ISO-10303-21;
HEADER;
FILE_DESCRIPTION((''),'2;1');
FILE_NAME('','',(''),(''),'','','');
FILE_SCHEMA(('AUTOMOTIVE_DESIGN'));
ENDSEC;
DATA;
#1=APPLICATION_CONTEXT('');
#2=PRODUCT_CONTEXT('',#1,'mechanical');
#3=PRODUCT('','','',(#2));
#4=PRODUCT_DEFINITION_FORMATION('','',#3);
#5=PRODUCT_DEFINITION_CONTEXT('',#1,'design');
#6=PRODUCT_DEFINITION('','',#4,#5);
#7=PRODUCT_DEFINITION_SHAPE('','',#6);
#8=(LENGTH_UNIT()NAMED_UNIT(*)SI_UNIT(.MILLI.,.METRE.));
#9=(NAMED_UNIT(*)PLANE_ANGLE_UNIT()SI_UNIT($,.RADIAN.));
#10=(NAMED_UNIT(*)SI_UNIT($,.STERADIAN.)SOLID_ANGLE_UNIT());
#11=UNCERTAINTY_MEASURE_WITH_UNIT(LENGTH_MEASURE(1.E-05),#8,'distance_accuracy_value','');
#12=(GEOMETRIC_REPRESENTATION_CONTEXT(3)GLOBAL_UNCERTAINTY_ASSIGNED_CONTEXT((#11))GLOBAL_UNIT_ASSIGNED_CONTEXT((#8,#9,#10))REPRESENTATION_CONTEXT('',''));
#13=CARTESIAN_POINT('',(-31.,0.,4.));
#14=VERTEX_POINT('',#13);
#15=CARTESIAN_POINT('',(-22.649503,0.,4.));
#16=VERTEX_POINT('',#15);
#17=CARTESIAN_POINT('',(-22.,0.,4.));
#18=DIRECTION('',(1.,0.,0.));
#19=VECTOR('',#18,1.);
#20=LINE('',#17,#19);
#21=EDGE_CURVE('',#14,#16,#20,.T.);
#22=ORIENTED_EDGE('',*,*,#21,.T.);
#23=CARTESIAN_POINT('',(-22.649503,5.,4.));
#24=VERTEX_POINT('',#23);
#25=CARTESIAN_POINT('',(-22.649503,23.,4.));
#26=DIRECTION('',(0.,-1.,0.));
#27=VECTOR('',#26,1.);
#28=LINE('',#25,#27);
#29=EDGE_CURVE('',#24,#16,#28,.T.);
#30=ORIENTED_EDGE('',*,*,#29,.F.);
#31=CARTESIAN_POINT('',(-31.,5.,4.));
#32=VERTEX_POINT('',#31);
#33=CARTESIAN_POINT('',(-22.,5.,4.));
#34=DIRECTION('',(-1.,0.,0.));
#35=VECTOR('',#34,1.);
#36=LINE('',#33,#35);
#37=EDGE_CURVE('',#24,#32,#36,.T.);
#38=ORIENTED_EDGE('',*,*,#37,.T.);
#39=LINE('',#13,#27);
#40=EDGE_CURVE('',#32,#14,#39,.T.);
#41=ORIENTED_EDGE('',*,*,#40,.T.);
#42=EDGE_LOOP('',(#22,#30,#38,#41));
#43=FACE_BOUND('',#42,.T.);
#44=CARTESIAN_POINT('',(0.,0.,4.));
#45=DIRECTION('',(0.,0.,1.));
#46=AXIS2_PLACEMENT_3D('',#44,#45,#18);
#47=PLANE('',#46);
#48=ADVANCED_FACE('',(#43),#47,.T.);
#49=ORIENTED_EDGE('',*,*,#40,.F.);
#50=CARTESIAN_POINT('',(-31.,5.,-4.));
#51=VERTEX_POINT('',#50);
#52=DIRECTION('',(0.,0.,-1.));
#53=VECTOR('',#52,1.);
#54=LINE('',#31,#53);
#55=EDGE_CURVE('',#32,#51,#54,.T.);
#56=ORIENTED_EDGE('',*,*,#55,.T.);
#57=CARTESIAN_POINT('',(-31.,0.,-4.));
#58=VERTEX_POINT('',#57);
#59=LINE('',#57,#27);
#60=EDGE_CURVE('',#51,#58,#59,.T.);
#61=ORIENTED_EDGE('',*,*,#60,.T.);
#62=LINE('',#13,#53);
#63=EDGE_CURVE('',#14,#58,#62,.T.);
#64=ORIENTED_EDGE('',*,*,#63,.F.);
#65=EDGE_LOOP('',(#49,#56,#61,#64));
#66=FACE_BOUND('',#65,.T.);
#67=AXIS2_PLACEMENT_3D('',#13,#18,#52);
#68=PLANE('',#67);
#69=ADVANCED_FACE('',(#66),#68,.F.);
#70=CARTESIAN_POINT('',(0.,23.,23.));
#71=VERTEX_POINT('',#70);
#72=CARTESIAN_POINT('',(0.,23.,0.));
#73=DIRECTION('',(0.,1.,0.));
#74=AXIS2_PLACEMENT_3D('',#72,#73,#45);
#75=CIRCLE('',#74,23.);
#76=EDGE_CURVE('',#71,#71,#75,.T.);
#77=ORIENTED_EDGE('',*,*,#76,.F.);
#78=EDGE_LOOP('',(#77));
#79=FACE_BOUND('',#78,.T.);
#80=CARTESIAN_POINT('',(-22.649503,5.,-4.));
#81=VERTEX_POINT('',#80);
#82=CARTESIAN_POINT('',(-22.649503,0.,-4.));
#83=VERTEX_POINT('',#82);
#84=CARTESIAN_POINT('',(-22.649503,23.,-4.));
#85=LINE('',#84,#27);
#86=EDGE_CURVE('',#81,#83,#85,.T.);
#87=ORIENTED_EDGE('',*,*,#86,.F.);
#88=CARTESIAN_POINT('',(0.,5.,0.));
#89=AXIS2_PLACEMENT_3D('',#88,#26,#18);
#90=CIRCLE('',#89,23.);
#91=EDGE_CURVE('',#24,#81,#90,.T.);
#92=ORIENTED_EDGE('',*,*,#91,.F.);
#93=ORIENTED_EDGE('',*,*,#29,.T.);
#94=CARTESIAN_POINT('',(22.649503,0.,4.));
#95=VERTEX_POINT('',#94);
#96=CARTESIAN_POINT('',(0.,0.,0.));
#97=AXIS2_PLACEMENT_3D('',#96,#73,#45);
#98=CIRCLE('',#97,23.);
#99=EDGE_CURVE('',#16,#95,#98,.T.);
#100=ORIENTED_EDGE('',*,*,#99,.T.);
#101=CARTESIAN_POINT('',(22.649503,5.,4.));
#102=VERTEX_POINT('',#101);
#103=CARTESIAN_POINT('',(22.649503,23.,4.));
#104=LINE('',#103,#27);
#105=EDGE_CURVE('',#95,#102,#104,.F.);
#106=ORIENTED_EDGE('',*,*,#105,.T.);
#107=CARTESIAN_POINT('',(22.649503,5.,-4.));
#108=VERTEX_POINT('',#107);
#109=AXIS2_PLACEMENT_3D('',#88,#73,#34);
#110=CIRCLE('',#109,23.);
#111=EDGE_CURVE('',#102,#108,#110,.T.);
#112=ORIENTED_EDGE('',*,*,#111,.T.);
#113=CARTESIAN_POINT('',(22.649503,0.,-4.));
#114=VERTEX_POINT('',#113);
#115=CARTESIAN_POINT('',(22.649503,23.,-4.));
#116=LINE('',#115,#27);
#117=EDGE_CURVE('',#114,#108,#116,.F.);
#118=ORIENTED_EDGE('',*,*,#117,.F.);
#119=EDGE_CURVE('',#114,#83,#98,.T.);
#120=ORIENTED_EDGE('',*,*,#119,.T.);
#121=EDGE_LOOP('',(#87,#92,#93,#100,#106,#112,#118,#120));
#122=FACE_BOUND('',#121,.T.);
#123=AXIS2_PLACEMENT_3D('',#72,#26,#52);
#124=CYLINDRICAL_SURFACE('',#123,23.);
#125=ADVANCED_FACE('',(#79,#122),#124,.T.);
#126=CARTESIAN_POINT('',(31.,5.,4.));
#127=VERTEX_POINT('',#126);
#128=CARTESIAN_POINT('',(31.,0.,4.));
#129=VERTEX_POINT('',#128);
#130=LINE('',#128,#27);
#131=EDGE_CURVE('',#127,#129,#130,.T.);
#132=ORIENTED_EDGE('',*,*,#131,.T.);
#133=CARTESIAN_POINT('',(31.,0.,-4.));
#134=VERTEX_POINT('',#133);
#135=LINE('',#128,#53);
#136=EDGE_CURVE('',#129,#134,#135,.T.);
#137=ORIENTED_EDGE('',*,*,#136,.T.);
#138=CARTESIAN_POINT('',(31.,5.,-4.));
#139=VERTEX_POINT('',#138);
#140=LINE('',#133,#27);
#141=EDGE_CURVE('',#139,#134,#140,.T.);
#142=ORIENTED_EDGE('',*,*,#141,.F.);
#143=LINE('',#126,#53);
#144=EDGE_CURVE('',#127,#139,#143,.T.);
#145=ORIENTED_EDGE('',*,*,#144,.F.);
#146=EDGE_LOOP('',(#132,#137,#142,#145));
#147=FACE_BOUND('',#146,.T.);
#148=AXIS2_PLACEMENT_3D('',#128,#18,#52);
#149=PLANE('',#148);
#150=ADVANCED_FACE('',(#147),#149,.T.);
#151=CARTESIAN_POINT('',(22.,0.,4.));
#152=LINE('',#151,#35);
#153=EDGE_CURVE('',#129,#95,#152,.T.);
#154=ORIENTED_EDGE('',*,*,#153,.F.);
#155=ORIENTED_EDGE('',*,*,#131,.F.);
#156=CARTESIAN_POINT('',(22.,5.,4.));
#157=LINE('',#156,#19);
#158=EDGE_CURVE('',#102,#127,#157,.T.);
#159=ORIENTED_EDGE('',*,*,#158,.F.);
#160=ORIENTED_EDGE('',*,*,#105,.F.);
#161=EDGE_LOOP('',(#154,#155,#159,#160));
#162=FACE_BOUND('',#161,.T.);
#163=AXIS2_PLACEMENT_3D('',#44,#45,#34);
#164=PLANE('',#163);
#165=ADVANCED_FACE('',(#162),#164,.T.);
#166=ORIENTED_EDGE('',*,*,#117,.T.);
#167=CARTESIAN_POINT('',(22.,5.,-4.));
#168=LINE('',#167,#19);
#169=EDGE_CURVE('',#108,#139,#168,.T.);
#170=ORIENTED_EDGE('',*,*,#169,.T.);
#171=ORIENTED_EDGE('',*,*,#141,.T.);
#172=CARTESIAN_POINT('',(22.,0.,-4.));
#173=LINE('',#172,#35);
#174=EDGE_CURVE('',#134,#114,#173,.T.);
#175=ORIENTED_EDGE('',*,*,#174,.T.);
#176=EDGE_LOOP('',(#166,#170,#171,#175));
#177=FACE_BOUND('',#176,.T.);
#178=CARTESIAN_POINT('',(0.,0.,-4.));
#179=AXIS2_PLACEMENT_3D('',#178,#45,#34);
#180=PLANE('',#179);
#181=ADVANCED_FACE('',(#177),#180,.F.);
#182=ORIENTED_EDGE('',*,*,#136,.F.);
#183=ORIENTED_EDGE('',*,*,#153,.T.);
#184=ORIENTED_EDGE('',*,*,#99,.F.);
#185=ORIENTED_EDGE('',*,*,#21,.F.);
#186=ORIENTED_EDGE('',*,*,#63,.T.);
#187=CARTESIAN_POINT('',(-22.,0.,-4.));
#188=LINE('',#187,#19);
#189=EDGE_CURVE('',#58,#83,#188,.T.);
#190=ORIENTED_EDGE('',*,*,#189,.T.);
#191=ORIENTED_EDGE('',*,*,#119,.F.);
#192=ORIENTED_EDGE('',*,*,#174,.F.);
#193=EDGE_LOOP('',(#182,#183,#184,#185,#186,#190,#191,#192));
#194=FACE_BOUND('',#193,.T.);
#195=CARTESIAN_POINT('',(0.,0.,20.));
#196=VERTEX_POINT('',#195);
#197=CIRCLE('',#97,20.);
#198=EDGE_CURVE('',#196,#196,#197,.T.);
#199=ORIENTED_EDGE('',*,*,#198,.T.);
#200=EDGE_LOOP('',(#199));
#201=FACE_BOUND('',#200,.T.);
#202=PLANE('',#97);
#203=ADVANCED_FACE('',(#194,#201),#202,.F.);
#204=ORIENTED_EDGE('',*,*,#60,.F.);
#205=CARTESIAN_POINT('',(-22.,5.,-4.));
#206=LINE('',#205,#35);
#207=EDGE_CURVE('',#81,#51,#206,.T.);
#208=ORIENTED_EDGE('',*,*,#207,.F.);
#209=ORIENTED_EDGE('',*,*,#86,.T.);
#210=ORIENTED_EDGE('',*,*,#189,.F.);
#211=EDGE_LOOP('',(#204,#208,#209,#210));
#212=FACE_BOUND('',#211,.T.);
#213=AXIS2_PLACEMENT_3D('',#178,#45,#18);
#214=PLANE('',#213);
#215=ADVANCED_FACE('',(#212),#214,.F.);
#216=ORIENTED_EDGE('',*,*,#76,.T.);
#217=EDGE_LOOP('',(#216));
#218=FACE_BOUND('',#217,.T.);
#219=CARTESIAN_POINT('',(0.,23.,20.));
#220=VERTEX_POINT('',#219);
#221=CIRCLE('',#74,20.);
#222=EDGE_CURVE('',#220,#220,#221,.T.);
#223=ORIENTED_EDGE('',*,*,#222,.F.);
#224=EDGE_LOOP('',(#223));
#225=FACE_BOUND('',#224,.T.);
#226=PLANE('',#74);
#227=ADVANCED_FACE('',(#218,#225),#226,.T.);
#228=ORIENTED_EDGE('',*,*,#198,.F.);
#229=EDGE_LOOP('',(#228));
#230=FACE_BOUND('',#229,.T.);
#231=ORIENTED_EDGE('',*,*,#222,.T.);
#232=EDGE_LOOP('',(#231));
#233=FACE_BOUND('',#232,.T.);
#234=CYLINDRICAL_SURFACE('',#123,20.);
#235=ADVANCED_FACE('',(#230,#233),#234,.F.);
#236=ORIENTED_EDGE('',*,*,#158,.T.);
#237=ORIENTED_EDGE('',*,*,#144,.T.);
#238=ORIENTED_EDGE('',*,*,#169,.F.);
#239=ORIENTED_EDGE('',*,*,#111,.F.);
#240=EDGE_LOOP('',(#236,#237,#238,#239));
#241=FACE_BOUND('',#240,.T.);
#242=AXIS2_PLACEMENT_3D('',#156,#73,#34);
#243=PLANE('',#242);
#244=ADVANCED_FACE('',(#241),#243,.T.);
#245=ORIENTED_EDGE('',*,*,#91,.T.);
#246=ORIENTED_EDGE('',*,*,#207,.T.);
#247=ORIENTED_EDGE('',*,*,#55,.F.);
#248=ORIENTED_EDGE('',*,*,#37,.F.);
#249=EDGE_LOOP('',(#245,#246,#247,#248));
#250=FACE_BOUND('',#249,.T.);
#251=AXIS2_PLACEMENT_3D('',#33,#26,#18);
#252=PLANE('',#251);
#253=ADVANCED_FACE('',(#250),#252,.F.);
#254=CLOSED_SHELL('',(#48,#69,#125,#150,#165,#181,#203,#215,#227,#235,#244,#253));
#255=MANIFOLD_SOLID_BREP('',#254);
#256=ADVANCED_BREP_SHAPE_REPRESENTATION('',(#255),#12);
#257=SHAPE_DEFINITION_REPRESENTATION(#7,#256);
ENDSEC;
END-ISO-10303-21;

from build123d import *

# Parameters (mm, degrees)
SKETCH_1_R      = 23
SKETCH_1_R_2    = 20
EXTRUDE_1_DEPTH = 23
SKETCH_3_W      = 9
SKETCH_3_H      = 5
EXTRUDE_2_DEPTH = 4


with BuildPart() as part:
    # 草图1 → 凸台-拉伸1 (new body)
    with BuildSketch(Plane(origin=(0, 0, 0), x_dir=(1, 0, 0), z_dir=(0, 1, 0))):
        with Locations(Location((0, 0, 0), (0, 0, 270))):
            Circle(SKETCH_1_R)
        with Locations(Location((0, 0, 0), (0, 0, 270))):
            Circle(SKETCH_1_R_2, mode=Mode.SUBTRACT)
    extrude(amount=EXTRUDE_1_DEPTH)

    # 草图3 → 凸台-拉伸2 (add, symmetric)
    with BuildSketch(Plane.XY):
        with Locations((-26.5, 2.5)):
            Rectangle(SKETCH_3_W, SKETCH_3_H)
    extrude_2 = extrude(amount=EXTRUDE_2_DEPTH, both=True)

    # 镜向1: 凸台-拉伸2 across plane
    add(extrude_2.mirror(Plane(origin=(0, 0, 0), x_dir=(0, 0, 1), z_dir=(1, 0, 0))))


solid = part.part
